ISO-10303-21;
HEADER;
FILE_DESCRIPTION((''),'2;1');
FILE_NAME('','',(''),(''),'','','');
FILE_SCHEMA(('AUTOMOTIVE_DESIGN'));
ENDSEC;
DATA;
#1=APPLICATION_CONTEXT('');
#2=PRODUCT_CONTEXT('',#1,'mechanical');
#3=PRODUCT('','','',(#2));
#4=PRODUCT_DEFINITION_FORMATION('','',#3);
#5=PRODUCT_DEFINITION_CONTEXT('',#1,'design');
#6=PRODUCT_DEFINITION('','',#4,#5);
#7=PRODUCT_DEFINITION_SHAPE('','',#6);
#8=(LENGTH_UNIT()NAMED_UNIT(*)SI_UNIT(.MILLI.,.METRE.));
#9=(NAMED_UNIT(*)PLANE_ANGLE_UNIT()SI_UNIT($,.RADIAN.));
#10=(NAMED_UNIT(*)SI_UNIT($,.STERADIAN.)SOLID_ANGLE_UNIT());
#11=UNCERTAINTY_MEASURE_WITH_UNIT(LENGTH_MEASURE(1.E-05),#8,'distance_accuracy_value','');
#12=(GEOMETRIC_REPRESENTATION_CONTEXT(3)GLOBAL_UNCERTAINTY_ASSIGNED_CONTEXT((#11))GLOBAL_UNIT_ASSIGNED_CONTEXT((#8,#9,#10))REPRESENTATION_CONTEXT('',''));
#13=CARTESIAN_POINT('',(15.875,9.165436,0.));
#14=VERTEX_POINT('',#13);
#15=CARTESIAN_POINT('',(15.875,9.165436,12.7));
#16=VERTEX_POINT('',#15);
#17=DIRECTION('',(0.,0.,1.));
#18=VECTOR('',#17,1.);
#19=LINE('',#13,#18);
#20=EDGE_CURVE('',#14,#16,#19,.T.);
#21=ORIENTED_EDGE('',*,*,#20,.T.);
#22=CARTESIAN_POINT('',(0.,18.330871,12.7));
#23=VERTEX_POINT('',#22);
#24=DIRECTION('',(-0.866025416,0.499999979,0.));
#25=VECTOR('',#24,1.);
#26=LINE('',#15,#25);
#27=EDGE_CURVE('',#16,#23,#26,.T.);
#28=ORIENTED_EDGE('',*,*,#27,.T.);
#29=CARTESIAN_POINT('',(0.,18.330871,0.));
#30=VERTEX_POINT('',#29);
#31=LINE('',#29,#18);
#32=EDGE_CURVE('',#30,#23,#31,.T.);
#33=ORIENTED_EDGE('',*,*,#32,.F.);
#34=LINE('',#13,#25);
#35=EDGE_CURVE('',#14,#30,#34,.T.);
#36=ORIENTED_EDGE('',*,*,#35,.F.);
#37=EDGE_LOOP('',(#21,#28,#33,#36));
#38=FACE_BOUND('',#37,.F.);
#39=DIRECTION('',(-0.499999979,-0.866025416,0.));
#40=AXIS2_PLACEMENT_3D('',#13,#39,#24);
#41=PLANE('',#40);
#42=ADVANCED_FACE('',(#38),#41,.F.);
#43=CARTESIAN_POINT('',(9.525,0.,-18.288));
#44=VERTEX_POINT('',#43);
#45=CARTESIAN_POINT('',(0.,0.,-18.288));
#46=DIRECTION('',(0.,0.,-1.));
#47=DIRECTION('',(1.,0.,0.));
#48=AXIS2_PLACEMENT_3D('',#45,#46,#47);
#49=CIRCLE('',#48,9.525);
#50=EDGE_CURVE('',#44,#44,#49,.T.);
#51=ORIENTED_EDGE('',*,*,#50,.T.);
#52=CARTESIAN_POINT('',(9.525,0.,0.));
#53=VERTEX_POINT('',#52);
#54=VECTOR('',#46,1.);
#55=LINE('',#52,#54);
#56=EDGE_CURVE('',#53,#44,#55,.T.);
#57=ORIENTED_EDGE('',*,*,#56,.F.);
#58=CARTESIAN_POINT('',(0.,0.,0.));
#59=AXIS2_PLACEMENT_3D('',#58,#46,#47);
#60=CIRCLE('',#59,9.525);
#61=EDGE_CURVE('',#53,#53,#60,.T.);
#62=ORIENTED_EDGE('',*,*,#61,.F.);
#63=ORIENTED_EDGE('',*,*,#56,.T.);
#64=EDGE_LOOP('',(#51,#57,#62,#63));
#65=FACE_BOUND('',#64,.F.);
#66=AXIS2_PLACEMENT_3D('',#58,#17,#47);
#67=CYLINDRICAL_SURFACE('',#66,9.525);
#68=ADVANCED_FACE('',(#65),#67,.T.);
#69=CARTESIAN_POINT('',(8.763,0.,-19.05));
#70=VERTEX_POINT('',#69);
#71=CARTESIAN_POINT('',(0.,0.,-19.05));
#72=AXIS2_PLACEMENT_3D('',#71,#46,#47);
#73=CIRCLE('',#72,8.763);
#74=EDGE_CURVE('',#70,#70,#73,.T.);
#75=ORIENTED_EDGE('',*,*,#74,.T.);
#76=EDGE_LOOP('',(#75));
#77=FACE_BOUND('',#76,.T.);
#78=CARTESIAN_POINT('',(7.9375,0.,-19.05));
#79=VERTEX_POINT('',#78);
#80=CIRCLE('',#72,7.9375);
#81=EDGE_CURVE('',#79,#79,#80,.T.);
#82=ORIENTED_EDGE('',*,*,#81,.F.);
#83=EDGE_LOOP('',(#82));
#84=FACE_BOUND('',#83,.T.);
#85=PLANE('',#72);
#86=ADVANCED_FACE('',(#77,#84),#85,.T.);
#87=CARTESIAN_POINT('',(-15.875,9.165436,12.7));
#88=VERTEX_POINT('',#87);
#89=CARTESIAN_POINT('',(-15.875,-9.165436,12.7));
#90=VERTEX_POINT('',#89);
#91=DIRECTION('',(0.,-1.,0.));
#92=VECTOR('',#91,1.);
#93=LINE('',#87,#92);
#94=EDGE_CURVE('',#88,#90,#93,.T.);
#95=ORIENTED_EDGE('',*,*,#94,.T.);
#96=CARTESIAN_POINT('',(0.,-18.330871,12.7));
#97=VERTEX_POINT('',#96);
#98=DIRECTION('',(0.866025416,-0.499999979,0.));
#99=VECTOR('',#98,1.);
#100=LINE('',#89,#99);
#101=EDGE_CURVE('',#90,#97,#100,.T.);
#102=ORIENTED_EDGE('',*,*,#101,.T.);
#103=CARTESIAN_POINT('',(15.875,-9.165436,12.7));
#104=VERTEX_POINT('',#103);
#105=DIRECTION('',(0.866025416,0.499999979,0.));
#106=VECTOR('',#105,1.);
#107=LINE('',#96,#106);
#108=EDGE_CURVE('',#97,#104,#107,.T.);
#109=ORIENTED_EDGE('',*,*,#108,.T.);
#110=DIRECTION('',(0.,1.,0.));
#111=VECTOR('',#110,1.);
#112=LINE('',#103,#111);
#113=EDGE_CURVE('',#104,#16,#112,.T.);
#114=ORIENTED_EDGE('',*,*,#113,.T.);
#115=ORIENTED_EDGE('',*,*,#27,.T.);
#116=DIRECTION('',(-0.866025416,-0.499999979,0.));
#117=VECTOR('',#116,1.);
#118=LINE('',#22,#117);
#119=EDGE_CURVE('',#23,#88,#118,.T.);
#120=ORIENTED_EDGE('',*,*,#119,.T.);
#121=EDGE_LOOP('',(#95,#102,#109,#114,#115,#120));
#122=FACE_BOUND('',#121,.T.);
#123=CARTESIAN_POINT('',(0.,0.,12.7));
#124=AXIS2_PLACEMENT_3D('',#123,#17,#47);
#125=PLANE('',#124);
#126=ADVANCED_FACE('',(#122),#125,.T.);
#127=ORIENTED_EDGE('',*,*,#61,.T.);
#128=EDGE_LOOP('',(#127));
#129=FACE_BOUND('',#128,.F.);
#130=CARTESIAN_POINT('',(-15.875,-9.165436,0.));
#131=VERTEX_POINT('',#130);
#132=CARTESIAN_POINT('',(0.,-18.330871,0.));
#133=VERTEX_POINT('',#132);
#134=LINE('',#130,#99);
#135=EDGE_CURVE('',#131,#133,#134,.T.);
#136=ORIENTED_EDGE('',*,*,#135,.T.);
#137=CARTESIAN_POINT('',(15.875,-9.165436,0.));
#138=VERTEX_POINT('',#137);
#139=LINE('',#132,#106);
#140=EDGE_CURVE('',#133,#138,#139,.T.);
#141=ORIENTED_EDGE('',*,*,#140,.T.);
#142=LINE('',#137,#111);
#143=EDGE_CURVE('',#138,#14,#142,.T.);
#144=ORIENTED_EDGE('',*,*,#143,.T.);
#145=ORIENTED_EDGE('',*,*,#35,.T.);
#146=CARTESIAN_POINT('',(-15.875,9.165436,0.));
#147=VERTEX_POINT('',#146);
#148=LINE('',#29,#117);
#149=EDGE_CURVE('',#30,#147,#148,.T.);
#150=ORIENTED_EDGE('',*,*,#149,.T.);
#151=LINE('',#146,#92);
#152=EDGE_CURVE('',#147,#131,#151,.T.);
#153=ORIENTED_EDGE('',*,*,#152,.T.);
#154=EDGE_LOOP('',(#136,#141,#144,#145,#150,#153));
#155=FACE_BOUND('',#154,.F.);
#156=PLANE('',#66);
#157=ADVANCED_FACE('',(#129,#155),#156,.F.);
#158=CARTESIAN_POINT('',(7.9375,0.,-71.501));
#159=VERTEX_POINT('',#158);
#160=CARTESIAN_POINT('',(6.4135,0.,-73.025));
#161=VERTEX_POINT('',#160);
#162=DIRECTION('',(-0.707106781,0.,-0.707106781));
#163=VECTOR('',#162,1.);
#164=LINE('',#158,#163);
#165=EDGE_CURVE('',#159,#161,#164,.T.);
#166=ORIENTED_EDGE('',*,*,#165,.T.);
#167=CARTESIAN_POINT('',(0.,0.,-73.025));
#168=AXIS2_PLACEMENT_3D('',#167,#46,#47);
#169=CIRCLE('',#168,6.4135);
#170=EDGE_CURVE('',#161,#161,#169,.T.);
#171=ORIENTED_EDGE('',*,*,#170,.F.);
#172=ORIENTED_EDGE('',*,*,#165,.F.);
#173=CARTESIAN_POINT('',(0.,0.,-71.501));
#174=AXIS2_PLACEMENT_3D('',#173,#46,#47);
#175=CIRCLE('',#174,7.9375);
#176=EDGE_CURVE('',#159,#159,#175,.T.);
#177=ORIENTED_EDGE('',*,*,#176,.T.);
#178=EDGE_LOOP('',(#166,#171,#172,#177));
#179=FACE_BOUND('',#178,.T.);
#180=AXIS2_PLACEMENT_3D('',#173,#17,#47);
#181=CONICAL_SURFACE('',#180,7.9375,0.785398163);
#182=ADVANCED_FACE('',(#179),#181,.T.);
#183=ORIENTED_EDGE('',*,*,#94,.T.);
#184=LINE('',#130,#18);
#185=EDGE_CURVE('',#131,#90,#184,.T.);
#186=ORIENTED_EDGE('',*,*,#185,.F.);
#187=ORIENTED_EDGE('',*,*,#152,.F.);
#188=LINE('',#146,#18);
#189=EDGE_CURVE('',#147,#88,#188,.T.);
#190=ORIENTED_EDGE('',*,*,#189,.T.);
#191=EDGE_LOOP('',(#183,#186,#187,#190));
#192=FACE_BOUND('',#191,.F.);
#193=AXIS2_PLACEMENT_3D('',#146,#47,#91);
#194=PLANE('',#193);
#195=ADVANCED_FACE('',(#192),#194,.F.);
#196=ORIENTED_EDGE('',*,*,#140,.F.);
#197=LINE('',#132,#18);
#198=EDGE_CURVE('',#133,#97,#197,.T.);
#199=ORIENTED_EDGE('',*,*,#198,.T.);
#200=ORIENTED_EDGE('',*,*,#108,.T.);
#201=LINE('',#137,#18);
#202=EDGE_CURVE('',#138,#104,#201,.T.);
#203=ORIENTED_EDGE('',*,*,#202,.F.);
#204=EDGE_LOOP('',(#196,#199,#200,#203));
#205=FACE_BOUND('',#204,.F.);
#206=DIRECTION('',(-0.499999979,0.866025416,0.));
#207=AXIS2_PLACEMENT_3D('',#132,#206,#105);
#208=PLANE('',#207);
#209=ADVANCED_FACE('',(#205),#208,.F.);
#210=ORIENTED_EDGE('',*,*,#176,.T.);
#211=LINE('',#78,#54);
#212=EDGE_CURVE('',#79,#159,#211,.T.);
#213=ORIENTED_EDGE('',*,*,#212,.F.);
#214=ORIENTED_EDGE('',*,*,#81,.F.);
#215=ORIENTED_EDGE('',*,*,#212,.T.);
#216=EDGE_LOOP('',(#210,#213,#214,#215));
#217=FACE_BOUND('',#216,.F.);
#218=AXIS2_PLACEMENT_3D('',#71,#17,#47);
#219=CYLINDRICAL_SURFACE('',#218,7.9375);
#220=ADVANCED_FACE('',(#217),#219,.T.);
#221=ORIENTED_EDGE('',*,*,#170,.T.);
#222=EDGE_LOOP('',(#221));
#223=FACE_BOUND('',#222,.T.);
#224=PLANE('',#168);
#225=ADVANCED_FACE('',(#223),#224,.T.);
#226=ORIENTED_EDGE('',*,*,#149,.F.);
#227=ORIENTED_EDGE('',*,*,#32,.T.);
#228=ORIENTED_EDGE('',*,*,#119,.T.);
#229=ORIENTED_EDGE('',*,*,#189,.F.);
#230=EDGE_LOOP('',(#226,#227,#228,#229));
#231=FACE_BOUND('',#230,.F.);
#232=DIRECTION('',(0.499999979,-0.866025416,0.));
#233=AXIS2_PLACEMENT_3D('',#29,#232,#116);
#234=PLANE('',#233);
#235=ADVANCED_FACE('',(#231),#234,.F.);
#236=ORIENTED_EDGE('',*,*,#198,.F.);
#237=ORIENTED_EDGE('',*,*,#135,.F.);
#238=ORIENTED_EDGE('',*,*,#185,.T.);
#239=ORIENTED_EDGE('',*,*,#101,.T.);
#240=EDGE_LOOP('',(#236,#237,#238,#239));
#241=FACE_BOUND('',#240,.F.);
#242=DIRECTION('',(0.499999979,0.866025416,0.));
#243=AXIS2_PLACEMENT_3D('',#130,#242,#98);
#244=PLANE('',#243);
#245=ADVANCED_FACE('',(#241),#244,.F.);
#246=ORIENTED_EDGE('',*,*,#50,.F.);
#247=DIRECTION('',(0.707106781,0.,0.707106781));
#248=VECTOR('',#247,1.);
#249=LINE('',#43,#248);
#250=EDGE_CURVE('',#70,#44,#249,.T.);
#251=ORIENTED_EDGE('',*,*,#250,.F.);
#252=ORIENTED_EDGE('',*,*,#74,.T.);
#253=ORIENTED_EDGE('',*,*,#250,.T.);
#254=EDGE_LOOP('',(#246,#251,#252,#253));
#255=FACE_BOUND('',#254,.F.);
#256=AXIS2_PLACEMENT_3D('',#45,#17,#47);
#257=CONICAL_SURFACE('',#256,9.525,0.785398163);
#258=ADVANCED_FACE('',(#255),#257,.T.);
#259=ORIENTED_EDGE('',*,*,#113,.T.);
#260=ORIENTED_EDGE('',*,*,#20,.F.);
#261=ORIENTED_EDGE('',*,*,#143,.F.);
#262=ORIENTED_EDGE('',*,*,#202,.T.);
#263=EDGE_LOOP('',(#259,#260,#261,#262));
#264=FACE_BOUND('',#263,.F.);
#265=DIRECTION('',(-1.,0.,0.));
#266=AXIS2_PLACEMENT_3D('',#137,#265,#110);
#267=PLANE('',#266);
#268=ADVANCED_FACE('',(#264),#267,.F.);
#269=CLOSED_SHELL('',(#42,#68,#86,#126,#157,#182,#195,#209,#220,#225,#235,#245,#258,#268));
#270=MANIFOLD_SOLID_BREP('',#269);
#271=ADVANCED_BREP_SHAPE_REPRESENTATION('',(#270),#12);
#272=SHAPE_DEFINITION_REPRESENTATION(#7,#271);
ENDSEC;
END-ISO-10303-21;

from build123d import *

# Parameters (mm, degrees)
F1_DEPTH = 12.7
F2_R     = 9.525
F3_DEPTH = 19.05
F4_R     = 7.9375
F5_DEPTH = 53.975
F6_SIZE  = 1.524
F7_SIZE  = 0.762


with BuildPart() as f1:
    # F0 (on Top) → F1 (new body)
    with BuildSketch(Plane.XY):
        Polygon((-15.875, 9.165436), (-15.875, -9.165436), (0, -18.330871), (15.875, -9.165436), (15.875, 9.165436), (0, 18.330871), align=None)
    extrude(amount=F1_DEPTH)

    # F2 (on face) → F3 (join)
    with BuildSketch(Plane(origin=(0, 0, 0), x_dir=(1, 0, 0), z_dir=(0, 0, -1))):
        Circle(F2_R)
    extrude(amount=F3_DEPTH)

    # F4 (on face) → F5 (join)
    with BuildSketch(Plane(origin=(0, 0, -19.05), x_dir=(1, 0, 0), z_dir=(0, 0, -1))):
        Circle(F4_R)
    extrude(amount=F5_DEPTH)

    # F6
    f6_edges = [f1.edges().sort_by_distance(p)[0] for p in [
        (-7.9375, 0, -73.025),
    ]]
    chamfer(f6_edges, length=F6_SIZE)

    # F7
    f7_edges = [f1.edges().sort_by_distance(p)[0] for p in [
        (-9.525, 0, -19.05),
    ]]
    chamfer(f7_edges, length=F7_SIZE)


solid = f1.part
